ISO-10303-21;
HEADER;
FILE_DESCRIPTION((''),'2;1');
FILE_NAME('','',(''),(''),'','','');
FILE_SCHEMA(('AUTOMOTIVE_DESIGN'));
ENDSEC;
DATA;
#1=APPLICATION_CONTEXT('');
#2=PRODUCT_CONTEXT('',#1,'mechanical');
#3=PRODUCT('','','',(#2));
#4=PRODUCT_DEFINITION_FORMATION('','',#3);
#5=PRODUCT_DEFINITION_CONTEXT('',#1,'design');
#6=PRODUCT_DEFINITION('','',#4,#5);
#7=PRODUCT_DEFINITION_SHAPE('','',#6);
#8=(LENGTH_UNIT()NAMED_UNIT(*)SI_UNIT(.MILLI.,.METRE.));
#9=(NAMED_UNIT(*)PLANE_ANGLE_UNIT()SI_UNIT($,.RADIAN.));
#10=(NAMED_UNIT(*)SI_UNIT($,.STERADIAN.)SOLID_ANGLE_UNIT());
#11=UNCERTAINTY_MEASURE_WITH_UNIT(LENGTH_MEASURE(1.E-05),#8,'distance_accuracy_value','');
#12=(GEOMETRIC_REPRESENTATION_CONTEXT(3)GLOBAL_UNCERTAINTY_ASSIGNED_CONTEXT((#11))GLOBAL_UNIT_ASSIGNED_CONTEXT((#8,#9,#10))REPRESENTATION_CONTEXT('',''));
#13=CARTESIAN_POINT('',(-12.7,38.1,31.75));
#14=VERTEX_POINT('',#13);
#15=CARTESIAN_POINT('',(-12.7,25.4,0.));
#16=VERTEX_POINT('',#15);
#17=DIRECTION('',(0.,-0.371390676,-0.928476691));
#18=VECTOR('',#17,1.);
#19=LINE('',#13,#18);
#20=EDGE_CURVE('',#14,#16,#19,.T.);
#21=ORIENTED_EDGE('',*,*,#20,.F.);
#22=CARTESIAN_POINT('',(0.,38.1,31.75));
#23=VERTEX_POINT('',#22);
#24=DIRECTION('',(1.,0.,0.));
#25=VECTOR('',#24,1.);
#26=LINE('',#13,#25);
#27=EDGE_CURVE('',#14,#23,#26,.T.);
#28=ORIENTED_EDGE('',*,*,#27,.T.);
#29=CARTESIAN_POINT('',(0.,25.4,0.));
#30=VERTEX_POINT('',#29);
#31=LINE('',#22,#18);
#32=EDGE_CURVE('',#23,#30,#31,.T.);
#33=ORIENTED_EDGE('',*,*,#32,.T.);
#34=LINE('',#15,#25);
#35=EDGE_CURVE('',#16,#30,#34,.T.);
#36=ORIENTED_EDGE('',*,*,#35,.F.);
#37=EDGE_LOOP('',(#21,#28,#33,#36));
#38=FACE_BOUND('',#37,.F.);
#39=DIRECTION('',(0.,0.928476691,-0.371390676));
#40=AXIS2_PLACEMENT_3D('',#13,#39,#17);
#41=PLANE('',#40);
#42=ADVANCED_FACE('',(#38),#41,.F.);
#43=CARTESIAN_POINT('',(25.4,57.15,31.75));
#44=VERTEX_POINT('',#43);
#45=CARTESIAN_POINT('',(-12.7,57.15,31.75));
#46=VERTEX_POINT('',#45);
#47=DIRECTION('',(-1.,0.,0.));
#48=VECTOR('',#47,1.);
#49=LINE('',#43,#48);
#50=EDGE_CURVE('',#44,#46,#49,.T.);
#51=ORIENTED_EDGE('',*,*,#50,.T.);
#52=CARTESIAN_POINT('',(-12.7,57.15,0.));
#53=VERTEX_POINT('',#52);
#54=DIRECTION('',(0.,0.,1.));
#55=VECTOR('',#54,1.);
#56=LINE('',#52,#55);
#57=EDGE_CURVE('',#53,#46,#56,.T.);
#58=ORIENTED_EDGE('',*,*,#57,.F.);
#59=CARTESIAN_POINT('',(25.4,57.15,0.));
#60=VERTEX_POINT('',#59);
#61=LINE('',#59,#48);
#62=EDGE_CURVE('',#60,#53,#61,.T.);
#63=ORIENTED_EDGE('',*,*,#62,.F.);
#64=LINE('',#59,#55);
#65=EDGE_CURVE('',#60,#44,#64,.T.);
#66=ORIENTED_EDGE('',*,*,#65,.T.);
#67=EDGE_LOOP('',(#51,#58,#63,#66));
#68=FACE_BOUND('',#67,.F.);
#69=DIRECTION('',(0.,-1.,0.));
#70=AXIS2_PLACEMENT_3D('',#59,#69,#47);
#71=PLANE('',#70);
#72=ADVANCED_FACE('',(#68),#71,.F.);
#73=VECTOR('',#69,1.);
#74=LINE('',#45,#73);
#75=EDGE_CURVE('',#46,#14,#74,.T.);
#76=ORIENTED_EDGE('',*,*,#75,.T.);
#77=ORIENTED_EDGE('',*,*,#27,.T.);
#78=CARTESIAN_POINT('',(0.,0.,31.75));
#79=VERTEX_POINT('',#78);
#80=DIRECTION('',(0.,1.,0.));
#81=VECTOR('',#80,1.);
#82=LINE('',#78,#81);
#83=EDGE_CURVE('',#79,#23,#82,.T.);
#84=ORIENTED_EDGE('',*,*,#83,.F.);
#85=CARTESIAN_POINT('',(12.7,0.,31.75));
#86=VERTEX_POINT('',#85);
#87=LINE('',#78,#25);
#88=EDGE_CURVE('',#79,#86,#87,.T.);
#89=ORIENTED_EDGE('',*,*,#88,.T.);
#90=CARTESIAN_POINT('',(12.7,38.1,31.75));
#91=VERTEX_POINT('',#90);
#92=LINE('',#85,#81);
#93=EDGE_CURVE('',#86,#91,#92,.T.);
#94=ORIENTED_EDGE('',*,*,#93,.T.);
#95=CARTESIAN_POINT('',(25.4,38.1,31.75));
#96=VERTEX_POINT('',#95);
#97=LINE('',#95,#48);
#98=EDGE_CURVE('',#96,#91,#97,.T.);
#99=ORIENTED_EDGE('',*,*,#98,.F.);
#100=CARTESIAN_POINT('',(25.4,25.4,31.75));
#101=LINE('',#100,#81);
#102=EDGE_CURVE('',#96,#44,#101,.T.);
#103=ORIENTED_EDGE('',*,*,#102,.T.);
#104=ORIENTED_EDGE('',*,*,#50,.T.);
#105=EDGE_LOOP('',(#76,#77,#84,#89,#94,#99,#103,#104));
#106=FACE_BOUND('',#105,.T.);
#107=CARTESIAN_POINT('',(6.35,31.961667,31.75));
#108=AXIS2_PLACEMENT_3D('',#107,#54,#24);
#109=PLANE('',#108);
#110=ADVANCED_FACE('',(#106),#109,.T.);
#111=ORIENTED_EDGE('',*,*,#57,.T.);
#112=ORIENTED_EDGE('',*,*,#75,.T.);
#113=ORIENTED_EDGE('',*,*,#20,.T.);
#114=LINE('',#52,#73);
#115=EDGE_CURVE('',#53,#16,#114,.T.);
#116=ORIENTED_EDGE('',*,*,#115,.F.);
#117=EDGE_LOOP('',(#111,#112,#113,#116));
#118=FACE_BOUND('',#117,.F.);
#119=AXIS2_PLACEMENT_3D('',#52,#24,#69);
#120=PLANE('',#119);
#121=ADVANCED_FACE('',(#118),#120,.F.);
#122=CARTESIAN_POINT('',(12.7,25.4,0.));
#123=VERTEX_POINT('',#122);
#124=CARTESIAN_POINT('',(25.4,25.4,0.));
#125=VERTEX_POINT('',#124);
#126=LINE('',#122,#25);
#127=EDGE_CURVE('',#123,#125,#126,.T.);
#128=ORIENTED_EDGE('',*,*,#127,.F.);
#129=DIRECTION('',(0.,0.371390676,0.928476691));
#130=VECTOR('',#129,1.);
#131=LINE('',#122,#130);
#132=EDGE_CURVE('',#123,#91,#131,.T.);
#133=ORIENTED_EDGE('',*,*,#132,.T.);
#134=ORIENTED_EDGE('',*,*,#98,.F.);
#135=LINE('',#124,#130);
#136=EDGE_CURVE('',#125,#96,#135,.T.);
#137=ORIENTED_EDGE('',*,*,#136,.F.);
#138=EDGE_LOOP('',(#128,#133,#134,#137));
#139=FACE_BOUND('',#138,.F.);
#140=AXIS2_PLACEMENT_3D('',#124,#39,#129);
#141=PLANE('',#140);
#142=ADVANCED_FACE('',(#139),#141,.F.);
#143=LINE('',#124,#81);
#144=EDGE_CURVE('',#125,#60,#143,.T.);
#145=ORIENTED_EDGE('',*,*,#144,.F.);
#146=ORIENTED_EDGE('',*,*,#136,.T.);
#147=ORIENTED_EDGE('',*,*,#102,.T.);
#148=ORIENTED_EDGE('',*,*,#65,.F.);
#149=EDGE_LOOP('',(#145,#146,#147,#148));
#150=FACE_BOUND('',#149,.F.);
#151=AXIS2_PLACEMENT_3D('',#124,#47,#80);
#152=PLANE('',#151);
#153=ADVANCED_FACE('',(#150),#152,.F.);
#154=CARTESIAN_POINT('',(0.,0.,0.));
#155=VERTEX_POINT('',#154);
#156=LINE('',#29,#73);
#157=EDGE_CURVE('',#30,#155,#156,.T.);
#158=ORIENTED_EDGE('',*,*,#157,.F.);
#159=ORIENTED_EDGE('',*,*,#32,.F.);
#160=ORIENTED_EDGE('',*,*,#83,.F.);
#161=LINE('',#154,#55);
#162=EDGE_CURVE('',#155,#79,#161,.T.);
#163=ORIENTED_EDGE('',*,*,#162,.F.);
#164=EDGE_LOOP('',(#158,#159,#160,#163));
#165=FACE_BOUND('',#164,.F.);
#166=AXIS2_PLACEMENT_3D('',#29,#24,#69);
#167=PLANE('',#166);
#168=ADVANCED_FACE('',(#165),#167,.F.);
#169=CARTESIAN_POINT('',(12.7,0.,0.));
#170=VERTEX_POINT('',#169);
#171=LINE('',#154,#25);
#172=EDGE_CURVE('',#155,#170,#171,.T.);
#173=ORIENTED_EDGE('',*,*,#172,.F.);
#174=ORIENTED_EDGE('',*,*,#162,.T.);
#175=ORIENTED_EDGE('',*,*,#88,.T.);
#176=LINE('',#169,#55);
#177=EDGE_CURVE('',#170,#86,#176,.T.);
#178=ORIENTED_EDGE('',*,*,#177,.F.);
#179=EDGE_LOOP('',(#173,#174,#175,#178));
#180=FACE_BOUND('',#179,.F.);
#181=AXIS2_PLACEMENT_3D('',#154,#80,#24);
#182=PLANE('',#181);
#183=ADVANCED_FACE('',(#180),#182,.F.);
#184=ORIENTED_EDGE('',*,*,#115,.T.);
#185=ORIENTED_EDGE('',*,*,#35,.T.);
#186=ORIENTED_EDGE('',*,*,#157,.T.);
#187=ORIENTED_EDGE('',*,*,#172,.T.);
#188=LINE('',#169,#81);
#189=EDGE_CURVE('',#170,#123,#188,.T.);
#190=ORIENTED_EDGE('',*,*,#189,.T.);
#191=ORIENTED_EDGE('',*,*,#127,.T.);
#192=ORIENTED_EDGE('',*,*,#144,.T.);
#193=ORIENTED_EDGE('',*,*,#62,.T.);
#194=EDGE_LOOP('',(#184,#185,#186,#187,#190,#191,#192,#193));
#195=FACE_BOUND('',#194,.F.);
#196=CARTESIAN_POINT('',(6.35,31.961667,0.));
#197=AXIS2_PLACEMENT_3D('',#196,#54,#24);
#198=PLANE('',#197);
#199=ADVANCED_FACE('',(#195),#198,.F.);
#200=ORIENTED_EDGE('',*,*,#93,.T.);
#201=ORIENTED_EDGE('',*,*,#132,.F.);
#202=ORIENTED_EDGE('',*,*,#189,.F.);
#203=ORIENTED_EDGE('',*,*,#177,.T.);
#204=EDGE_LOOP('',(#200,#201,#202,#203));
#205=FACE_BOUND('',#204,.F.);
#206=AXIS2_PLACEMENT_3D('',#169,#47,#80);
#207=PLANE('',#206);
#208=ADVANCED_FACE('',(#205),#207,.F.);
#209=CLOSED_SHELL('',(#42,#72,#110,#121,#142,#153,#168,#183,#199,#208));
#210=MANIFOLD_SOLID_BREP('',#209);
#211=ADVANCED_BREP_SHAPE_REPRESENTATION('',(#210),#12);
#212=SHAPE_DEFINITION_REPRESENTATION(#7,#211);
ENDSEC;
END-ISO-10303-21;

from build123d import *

# Parameters (mm, degrees)
F1_DEPTH = 31.75
F3_DEPTH = 12.7
F5_DEPTH = 12.7


with BuildPart() as f1:
    # F0 (on Top) → F1 (new body)
    with BuildSketch(Plane.XY):
        Polygon((0, 25.4), (0, 0), (12.7, 0), (12.7, 25.4), (25.4, 25.4), (25.4, 57.15), (-12.7, 57.15), (-12.7, 25.4), align=None)
    extrude(amount=F1_DEPTH)

    # F2 (on face) → F3 (cut)
    with BuildSketch(Plane(origin=(-12.7, 0, 0), x_dir=(0, -1, 0), z_dir=(-1, 0, 0))):
        Polygon((-38.1, 31.75), (-25.4, 0), (-25.4, 31.75), align=None)
    extrude(amount=-F3_DEPTH, mode=Mode.SUBTRACT)

    # F4 (on face) → F5 (cut)
    with BuildSketch(Plane.YZ.offset(25.4)):
        Polygon((25.4, 0), (38.1, 31.75), (25.4, 31.75), align=None)
    extrude(amount=-F5_DEPTH, mode=Mode.SUBTRACT)


solid = f1.part
